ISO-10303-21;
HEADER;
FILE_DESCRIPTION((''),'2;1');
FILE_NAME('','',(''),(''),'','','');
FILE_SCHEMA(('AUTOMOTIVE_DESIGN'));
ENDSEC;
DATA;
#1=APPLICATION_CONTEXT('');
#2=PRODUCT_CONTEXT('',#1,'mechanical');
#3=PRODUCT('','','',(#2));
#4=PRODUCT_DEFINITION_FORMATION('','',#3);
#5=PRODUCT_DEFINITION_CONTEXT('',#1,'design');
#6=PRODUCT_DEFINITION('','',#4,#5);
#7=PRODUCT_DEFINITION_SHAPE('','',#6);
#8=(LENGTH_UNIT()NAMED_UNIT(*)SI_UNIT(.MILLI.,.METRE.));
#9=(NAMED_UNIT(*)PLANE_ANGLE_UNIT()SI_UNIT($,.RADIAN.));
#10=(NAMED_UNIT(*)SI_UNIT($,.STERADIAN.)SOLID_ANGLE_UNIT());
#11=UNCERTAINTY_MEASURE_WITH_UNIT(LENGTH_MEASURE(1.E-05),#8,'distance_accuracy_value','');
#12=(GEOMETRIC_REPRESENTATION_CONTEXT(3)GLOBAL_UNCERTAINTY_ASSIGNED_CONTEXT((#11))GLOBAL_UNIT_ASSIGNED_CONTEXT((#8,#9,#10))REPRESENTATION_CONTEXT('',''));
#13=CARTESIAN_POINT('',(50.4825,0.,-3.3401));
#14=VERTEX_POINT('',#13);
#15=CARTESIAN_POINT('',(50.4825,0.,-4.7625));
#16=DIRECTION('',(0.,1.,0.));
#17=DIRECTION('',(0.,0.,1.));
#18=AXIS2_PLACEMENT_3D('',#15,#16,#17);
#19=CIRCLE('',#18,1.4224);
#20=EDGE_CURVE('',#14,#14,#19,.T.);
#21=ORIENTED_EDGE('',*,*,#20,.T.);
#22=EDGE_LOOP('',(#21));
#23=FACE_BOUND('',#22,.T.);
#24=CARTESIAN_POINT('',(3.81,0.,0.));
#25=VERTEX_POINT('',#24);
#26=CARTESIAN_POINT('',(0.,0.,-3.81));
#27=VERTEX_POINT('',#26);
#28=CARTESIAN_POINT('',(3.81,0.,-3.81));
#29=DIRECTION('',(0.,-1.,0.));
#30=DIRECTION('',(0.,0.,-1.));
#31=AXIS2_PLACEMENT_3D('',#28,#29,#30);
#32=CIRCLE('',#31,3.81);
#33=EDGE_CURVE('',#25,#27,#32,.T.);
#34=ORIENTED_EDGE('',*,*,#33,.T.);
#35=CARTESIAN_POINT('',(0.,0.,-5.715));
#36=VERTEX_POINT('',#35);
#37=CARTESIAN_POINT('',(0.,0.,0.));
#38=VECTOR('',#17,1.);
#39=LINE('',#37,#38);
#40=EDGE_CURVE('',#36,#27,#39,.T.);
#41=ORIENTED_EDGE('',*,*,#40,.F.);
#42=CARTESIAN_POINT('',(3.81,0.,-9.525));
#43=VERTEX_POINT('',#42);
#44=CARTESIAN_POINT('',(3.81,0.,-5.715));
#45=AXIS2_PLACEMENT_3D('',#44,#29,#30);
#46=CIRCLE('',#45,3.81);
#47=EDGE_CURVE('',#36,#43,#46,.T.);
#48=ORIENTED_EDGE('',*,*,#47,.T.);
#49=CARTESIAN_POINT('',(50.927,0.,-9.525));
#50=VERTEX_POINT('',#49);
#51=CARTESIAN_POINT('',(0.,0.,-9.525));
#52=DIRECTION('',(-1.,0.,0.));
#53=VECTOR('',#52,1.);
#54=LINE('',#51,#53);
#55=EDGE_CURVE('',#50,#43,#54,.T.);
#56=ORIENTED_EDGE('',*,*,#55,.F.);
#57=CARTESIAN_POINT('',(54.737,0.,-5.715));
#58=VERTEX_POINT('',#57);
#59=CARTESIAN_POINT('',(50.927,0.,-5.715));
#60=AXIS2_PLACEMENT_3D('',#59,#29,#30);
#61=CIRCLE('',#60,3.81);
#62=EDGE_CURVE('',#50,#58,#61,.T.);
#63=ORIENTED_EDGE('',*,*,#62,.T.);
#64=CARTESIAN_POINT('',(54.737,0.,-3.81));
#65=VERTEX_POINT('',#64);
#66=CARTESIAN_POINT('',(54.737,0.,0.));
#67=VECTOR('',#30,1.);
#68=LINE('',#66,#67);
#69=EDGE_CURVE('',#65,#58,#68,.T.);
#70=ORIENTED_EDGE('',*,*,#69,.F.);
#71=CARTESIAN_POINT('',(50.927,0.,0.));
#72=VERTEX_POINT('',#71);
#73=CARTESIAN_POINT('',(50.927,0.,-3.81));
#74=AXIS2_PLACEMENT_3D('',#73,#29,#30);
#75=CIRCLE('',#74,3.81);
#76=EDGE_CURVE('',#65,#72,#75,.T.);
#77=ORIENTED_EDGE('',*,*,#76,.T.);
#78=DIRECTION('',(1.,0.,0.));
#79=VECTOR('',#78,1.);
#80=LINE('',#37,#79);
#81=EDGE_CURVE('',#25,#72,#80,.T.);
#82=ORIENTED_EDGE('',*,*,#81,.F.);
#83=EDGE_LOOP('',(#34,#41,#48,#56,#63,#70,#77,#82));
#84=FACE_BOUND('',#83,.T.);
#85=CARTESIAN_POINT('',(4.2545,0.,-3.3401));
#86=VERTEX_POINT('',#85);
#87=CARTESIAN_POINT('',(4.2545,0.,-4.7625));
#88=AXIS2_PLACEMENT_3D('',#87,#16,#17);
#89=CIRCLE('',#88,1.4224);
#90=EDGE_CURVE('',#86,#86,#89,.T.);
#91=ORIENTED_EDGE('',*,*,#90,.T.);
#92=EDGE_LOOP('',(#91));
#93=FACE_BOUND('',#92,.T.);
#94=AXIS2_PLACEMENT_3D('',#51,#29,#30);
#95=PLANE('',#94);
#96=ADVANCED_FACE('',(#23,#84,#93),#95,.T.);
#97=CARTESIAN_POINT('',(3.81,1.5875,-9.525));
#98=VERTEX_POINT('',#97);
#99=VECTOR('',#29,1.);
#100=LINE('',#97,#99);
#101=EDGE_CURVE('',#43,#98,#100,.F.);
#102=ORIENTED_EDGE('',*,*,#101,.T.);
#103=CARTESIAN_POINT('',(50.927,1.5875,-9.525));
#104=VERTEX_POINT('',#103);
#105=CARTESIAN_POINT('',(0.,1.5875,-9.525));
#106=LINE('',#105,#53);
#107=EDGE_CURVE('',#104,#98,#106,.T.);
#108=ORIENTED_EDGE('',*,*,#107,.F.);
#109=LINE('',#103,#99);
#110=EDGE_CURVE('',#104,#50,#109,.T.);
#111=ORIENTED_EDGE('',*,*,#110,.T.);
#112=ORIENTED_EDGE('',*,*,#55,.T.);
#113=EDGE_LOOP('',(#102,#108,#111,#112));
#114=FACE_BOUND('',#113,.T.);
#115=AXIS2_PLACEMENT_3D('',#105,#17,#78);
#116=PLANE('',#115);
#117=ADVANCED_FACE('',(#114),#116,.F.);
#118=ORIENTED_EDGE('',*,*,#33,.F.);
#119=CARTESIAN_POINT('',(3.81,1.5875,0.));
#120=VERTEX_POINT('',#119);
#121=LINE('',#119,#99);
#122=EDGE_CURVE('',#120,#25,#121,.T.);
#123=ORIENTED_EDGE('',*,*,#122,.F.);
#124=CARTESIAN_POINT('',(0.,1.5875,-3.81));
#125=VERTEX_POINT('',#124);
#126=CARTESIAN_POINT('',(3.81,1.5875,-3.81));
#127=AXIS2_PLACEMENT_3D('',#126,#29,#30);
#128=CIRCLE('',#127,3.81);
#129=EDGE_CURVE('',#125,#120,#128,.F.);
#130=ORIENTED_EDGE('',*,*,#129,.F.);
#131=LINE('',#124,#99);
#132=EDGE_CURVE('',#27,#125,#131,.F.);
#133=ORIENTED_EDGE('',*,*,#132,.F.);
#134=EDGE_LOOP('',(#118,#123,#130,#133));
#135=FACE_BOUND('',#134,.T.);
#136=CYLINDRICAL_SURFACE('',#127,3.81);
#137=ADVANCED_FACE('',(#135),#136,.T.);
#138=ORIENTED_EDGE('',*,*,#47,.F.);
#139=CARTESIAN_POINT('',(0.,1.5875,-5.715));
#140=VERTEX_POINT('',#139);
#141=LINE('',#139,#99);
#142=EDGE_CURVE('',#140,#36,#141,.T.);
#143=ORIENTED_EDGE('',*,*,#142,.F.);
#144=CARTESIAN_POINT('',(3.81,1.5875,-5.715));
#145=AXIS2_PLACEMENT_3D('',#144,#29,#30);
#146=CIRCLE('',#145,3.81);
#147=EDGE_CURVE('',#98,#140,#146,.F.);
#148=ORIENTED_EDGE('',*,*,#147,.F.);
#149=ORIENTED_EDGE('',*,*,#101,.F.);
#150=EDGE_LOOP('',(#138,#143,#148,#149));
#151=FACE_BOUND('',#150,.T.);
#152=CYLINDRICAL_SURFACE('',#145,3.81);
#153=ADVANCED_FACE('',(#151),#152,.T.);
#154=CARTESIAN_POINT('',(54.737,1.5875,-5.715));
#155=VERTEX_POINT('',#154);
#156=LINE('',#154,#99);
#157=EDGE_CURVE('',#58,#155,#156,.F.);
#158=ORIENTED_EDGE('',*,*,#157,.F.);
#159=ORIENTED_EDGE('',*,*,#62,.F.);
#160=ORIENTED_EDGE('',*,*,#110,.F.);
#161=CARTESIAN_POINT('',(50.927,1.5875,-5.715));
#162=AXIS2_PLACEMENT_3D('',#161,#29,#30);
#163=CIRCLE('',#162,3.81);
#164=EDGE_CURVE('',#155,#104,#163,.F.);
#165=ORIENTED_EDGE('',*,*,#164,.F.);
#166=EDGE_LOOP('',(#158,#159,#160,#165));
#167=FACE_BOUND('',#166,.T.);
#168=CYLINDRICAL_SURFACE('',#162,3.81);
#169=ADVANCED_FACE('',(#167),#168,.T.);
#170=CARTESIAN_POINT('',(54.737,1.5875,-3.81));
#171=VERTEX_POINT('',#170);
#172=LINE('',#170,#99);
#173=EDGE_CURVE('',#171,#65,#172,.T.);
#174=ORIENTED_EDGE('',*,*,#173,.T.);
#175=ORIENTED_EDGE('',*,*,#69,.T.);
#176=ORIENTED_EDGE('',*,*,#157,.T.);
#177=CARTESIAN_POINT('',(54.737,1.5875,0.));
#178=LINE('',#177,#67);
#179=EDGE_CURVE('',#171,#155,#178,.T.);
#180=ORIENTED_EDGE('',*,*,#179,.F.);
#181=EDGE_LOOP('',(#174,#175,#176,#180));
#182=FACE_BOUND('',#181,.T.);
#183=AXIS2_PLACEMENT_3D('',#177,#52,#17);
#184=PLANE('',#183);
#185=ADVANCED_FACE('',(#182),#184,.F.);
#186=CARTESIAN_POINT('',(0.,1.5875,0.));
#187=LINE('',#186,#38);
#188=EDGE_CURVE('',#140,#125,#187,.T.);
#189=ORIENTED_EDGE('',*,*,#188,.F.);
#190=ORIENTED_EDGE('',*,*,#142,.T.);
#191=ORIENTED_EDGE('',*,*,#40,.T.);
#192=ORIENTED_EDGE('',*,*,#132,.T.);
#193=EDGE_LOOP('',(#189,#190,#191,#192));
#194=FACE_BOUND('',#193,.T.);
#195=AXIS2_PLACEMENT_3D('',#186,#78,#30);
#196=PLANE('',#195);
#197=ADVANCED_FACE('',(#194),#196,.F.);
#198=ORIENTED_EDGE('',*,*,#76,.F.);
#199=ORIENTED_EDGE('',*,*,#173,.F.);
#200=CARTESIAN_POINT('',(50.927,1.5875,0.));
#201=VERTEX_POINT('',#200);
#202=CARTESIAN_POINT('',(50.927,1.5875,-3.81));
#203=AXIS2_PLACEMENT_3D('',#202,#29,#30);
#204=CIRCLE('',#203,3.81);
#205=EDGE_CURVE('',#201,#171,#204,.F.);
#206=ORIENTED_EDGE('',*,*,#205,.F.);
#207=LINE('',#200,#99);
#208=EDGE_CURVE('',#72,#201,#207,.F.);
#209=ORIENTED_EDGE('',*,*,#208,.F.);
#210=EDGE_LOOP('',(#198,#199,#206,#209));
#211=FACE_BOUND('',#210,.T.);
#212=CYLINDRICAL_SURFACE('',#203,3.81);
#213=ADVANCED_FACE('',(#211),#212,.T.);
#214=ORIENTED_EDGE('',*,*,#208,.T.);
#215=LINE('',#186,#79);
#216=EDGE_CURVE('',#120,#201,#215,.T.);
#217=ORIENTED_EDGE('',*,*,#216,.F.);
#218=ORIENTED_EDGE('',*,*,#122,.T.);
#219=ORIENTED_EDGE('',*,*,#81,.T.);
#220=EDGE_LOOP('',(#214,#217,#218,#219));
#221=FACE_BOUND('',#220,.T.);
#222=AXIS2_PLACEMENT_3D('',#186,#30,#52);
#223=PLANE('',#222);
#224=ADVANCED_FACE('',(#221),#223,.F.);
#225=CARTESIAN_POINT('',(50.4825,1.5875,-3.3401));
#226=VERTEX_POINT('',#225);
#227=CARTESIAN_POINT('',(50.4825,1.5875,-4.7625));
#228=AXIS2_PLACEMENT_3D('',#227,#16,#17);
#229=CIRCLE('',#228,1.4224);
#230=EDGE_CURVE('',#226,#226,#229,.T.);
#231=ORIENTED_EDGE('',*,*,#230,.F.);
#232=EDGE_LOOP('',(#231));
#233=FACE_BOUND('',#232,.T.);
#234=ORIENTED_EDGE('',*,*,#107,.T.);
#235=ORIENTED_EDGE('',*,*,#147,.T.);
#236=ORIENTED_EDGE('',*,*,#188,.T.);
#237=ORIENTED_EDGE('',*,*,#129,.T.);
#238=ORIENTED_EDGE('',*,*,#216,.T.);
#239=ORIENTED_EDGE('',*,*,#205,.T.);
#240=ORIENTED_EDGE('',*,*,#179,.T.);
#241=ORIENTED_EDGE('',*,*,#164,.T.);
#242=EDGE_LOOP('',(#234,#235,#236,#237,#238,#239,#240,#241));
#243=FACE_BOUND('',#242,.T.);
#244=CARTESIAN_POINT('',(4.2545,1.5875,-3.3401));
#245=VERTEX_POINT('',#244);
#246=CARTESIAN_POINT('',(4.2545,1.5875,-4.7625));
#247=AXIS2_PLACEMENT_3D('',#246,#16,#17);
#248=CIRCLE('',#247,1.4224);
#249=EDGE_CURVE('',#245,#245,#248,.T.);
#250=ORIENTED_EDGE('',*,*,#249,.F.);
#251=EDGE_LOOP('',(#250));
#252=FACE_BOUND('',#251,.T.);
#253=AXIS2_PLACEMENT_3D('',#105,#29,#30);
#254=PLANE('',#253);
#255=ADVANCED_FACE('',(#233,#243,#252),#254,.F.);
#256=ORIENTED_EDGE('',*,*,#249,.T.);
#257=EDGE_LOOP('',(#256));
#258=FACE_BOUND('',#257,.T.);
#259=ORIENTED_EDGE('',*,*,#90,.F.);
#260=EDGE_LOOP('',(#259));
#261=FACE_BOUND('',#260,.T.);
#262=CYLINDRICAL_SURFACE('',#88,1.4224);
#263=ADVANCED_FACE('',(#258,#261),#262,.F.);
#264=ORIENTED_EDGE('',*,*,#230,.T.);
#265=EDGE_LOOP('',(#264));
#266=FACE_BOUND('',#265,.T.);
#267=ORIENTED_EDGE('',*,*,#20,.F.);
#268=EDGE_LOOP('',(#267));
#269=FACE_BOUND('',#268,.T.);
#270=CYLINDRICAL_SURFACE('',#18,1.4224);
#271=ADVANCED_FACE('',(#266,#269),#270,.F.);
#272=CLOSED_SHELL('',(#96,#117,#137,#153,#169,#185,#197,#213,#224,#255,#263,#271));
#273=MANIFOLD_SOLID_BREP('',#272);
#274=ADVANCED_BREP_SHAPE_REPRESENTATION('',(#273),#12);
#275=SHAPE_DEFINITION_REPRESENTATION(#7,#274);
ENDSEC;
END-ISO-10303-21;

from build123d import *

# Parameters (mm, degrees)
SKETCH1_W           = 54.737
SKETCH1_H           = 9.525
BOSS_EXTRUDE1_DEPTH = 1.5875
FILLET1_R           = 3.81
SKETCH2_R           = 1.4224
CUT_EXTRUDE1_DEPTH  = 2.5875


with BuildPart() as part:
    # Sketch1 → Boss-Extrude1 (new body)
    with BuildSketch(Plane(origin=(0, 0, 0), x_dir=(1, 0, 0), z_dir=(0, 1, 0))):
        with Locations((27.3685, 4.7625)):
            Rectangle(SKETCH1_W, SKETCH1_H)
    extrude(amount=BOSS_EXTRUDE1_DEPTH)

    # Fillet1
    fillet1_edges = [part.edges().sort_by_distance(p)[0] for p in [
        (0, 0.79375, -9.525),
        (54.737, 0.79375, -9.525),
        (54.737, 0.79375, 0),
        (0, 0.79375, 0),
    ]]
    fillet(fillet1_edges, radius=FILLET1_R)

    # Sketch2 → Cut-Extrude1 (cut, through all)
    with BuildSketch(Plane(origin=(0, 1.5875, 0), x_dir=(1, 0, 0), z_dir=(0, 1, 0))):
        with Locations((4.2545, 4.7625)):
            Circle(SKETCH2_R)
        with Locations((50.4825, 4.7625)):
            Circle(SKETCH2_R)
    extrude(amount=-CUT_EXTRUDE1_DEPTH, mode=Mode.SUBTRACT)


solid = part.part
